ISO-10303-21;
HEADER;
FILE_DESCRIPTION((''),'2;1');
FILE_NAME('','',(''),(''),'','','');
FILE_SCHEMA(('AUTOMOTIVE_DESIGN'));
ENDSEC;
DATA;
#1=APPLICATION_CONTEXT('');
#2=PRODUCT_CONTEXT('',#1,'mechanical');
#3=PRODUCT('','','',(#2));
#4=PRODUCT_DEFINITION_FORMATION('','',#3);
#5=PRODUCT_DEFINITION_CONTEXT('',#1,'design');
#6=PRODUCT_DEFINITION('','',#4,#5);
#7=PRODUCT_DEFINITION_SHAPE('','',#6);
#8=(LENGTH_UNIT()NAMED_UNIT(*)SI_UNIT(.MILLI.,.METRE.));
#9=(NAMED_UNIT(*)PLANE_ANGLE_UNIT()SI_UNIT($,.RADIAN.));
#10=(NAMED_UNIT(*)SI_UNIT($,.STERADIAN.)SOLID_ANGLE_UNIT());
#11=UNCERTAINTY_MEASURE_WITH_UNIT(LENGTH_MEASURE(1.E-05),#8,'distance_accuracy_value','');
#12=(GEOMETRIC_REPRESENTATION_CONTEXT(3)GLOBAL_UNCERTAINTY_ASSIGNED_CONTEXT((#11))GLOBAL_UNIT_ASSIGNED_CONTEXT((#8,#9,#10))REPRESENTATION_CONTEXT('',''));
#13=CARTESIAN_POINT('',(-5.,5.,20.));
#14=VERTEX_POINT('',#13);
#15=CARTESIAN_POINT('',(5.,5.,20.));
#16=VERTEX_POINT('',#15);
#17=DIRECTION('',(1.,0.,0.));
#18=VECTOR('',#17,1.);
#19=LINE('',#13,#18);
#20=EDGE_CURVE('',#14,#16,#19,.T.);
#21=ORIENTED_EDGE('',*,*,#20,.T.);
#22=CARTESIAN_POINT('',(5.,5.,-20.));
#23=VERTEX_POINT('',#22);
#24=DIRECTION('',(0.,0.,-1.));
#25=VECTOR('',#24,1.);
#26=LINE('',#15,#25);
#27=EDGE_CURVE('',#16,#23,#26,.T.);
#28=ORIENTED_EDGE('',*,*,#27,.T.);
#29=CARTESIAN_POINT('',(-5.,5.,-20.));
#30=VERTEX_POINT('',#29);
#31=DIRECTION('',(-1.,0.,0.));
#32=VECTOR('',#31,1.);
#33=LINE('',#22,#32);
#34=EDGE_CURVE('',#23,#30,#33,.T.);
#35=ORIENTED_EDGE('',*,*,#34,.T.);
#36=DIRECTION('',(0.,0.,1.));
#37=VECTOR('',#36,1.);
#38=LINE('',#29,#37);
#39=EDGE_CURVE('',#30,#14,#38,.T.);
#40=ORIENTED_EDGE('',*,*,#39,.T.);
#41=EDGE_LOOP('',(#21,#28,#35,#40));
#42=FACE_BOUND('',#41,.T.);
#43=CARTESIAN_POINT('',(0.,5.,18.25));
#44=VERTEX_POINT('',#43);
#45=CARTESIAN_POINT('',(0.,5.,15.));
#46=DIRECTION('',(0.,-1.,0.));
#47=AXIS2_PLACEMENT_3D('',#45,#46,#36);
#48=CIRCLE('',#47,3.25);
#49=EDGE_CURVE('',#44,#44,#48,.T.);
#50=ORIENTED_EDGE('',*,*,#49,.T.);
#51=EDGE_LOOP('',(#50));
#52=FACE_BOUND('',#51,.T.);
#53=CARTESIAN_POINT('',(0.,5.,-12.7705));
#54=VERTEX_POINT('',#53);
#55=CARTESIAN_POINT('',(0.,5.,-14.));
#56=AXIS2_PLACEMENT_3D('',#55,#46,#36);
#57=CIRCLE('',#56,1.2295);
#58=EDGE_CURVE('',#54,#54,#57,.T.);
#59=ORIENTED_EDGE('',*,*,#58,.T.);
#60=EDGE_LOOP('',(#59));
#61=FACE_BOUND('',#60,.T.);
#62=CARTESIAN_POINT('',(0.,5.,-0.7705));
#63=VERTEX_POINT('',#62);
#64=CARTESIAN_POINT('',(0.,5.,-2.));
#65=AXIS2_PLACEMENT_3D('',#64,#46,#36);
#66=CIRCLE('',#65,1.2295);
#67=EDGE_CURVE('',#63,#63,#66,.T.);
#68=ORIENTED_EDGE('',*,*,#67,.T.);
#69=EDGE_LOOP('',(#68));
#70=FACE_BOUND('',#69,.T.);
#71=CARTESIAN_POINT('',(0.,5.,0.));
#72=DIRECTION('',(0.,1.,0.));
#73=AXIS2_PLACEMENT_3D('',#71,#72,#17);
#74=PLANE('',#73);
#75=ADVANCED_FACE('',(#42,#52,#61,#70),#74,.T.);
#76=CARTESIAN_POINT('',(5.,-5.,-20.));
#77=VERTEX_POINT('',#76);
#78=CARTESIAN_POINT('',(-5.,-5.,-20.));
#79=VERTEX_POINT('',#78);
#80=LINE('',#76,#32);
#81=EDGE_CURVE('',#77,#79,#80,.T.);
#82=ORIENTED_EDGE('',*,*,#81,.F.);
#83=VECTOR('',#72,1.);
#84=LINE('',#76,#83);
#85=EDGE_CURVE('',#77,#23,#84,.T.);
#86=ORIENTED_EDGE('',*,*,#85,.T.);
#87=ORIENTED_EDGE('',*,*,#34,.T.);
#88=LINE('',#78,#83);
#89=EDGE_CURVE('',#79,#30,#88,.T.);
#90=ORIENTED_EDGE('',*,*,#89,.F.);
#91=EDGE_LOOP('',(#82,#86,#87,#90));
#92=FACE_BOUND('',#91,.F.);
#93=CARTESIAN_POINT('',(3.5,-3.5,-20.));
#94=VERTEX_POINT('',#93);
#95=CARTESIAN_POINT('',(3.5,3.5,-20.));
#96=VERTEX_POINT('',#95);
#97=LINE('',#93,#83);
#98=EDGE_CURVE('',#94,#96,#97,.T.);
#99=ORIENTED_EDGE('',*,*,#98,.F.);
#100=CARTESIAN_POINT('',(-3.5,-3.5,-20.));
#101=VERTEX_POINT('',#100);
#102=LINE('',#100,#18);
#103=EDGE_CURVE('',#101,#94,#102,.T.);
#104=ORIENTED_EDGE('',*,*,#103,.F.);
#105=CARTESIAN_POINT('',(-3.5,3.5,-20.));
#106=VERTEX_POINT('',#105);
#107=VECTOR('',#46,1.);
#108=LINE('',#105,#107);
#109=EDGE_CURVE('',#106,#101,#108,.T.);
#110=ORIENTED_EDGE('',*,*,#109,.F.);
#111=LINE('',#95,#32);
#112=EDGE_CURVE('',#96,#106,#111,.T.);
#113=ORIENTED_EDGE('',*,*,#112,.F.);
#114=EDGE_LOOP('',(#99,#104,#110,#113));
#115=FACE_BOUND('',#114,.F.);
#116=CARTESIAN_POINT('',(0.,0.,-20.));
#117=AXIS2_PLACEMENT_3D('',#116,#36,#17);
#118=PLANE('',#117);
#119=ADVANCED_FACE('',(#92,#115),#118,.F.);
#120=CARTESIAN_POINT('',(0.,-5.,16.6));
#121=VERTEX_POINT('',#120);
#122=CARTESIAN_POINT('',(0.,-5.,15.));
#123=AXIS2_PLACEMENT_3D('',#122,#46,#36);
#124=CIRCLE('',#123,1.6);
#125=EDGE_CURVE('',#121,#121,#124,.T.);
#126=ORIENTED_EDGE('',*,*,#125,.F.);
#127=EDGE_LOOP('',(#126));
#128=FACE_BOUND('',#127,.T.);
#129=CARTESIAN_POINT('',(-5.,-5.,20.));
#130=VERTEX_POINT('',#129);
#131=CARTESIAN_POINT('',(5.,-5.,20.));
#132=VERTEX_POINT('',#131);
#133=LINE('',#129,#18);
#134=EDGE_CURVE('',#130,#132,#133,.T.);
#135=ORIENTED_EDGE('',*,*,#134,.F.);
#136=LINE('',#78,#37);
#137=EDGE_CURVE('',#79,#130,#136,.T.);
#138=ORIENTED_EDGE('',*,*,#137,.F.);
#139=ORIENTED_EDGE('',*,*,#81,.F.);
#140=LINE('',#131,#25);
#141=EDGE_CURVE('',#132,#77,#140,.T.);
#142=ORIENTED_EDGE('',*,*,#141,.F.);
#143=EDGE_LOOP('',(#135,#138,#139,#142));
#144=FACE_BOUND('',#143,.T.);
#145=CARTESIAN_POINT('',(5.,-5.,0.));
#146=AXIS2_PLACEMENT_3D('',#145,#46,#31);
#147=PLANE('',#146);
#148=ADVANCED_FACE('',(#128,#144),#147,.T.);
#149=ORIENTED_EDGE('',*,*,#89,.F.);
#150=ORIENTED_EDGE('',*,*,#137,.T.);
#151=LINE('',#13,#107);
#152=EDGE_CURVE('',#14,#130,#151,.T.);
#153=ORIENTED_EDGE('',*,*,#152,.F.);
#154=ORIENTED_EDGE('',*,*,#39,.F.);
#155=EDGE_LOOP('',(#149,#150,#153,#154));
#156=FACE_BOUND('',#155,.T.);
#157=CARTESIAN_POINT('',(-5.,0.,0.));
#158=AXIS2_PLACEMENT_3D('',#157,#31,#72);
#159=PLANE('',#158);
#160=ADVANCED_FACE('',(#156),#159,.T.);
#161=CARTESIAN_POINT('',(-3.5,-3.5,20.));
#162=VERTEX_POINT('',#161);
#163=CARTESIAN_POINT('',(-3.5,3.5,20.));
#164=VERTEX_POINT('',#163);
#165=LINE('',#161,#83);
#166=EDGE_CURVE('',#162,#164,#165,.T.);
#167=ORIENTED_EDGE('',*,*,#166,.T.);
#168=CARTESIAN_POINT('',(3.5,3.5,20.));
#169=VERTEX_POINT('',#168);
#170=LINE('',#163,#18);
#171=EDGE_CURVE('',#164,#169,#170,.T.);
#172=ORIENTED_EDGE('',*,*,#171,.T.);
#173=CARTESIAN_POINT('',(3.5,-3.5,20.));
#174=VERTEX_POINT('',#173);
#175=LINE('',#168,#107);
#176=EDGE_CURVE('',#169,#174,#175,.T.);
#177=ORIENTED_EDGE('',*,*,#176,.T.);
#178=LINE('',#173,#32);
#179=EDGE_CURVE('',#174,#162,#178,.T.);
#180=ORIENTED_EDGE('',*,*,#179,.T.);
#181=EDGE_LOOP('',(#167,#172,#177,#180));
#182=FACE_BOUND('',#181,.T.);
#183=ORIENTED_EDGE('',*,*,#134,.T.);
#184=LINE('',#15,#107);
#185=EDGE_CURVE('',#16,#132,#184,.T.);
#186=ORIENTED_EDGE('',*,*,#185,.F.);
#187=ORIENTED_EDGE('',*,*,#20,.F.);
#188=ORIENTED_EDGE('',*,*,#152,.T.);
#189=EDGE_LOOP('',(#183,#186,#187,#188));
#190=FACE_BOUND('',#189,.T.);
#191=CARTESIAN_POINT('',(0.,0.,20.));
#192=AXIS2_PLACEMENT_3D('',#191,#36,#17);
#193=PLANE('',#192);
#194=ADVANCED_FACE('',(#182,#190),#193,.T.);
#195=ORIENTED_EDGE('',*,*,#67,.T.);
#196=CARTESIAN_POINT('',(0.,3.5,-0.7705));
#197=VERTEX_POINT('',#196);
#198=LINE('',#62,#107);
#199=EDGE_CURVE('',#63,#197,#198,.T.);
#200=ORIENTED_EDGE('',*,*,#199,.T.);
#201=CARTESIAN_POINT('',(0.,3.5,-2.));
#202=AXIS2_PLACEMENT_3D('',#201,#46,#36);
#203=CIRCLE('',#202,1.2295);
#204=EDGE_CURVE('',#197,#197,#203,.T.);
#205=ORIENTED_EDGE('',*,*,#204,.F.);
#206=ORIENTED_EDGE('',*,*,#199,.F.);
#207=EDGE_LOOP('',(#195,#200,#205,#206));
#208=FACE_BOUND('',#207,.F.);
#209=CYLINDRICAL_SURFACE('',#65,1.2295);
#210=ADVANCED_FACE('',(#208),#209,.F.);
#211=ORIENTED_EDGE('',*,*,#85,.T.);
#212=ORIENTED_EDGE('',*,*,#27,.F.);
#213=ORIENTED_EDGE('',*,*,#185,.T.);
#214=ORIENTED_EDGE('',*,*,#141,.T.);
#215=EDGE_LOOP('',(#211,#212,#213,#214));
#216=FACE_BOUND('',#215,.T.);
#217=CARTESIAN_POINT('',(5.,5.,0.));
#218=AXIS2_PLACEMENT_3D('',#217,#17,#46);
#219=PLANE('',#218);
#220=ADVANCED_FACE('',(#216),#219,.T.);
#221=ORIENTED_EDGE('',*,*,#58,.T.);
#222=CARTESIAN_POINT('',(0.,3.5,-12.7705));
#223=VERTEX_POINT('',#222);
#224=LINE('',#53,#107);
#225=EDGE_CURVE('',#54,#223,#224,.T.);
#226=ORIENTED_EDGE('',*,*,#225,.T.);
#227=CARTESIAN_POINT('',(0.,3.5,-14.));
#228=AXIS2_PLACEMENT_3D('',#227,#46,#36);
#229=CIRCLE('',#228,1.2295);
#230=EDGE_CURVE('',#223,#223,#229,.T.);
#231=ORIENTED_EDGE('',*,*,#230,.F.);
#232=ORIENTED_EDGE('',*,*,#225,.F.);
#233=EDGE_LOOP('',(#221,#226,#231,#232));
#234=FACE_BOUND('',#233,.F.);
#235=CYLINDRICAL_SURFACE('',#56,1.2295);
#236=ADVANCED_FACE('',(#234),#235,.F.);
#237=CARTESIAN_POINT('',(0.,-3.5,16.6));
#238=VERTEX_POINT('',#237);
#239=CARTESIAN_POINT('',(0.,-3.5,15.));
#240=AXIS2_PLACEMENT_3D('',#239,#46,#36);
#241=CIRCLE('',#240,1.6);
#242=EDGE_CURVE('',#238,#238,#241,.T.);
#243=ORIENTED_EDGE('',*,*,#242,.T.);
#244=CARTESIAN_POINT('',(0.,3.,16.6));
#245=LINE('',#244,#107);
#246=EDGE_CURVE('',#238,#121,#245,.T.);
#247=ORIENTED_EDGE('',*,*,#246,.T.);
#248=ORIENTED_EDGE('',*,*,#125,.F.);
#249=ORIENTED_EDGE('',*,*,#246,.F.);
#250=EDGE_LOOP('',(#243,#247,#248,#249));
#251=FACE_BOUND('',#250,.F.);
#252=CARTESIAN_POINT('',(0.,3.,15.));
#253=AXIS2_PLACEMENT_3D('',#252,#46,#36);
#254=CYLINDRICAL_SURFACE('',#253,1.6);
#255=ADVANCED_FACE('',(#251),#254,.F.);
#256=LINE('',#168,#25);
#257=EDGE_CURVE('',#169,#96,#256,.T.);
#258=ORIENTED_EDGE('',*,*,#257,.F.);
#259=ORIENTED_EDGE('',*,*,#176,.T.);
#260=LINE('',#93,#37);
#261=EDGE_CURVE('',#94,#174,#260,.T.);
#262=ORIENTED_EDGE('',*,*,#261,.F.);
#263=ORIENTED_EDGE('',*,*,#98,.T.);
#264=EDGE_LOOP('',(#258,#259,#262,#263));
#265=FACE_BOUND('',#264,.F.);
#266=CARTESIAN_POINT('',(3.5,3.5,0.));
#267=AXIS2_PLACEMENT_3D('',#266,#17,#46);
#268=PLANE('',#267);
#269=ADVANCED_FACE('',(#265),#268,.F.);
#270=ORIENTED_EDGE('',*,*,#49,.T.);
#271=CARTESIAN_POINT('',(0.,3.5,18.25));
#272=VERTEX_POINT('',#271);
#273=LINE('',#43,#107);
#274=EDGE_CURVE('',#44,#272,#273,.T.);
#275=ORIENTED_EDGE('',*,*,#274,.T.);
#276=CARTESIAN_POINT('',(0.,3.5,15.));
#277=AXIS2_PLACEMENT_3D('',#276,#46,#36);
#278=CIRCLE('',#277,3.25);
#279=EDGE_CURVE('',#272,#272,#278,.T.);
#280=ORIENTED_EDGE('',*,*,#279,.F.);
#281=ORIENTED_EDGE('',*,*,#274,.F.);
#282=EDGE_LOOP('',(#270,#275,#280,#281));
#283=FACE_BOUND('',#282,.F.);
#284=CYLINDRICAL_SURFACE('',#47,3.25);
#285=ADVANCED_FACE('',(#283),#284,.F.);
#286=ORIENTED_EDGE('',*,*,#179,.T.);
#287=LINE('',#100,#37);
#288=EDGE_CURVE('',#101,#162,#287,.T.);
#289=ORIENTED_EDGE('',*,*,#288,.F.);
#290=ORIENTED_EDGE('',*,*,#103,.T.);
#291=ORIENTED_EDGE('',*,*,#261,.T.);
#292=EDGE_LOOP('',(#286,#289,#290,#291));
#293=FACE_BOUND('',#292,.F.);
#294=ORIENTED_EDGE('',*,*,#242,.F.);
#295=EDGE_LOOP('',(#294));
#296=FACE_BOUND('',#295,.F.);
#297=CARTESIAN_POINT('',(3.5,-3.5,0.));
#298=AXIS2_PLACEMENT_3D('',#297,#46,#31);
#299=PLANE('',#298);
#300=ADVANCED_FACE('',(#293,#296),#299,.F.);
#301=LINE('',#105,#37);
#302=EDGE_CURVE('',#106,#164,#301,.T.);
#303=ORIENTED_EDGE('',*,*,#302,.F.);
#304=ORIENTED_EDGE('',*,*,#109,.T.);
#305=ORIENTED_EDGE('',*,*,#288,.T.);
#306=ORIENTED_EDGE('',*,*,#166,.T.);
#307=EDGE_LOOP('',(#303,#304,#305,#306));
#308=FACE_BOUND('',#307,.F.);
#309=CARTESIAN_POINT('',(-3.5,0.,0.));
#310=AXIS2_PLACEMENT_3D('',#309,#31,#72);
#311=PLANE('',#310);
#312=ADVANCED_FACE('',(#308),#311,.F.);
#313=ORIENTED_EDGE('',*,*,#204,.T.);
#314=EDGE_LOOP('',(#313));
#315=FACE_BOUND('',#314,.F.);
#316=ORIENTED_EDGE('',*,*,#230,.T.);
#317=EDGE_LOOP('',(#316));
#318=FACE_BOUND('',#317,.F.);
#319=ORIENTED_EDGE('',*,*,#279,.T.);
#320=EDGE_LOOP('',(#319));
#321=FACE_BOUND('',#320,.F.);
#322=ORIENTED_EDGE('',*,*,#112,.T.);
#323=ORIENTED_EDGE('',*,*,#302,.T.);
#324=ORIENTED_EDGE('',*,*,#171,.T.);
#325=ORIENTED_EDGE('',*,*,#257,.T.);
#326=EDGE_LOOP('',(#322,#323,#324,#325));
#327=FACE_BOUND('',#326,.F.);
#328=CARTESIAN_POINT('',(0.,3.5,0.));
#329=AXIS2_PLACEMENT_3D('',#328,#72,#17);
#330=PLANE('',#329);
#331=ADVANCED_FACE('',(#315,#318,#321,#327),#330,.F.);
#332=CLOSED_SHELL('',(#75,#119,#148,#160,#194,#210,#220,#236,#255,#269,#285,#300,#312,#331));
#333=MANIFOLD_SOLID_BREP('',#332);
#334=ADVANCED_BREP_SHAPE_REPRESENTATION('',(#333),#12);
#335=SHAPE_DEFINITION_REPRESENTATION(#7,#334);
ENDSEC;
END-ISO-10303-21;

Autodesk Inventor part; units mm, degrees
ref_plane "YZ Plane" through (0, 0, 0) normal (1, 0, 0) x (0, 1, 0)
ref_plane "XZ Plane" through (0, 0, 0) normal (0, 1, 0) x (-1, 0, 0)
ref_plane "XY Plane" through (0, 0, 0) normal (0, 0, 1) x (1, 0, 0)
sketch "Náčrt1" plane through (0, 0, 0) normal (0, 0, 1) x (1, 0, 0)
  line L0 (0, 7) -> (0, -7) projected
  line L1 (-7, 0) -> (7, 0) projected
  line L2 (-3.5, 3.5) -> (3.5, 3.5)
  line L3 (3.5, 3.5) -> (3.5, -3.5)
  line L4 (3.5, -3.5) -> (-3.5, -3.5)
  line L5 (-3.5, -3.5) -> (-3.5, 3.5)
  line L6 (-5, 5) -> (5, 5)
  line L7 (5, 5) -> (5, -5)
  line L8 (5, -5) -> (-5, -5)
  line L9 (-5, -5) -> (-5, 5)
  point P0 (0, 0)
  dimension "d1" = 10
  dimension "d2" = 10
  dimension "d3" = 1.5
  dimension "d4" = 1.5
  dimension "d5" = 1.5
  dimension "d6" = 1.5
extrude "Vysunutí1" add sketch "Náčrt1" along normal mid plane 40 contours L6 L7 L1 L3 L2 L0 | L0 L2 L5 L1 L9 L6 | L1 L5 L4 L0 L8 L9 | L7 L8 L0 L4 L3 L1
sketch "Náčrt2" plane through (-5, 5, 20) normal (0, 1, 0) x (1, 0, 0)
  line L0 (12, 20) -> (-2, 20) projected
  line L1 (5, 48) -> (5, -8) projected
  line L2 (10, 0) -> (0, 0) projected
  line L3 (0, 40) -> (0, 0) projected
  point P0 (5, 20)
  point P1 (5, 5)
  dimension "d10" = 5
  dimension "d11" = 5
hole "Díra1" at (0, 5, 15) direction (0, -1, 0) diameter 3.2 end through all counterbore diameter 6.5 counterbore depth 2
sketch "Náčrt3" plane through (-5, 5, 20) normal (0, 1, 0) x (1, 0, 0)
  line L0 (0, 40) -> (0, 0) projected
  line L1 (0, 40) -> (10, 40) projected
  point P0 (5, 20)
  point P1 (5, 34)
  point P2 (5, 22)
  dimension "d19" = 5
  dimension "d20" = 5
  dimension "d21" = 12
  dimension "d22" = 6
hole "Díra2" at (0, 5, -14) at (0, 5, -2) direction (0, -1, 0) diameter 2.459 depth 1.5 thread size "M3x0.5" class "6H" standard "ISO Metric profile"
properties part number "y_standoff" material "Hliník 6061"
